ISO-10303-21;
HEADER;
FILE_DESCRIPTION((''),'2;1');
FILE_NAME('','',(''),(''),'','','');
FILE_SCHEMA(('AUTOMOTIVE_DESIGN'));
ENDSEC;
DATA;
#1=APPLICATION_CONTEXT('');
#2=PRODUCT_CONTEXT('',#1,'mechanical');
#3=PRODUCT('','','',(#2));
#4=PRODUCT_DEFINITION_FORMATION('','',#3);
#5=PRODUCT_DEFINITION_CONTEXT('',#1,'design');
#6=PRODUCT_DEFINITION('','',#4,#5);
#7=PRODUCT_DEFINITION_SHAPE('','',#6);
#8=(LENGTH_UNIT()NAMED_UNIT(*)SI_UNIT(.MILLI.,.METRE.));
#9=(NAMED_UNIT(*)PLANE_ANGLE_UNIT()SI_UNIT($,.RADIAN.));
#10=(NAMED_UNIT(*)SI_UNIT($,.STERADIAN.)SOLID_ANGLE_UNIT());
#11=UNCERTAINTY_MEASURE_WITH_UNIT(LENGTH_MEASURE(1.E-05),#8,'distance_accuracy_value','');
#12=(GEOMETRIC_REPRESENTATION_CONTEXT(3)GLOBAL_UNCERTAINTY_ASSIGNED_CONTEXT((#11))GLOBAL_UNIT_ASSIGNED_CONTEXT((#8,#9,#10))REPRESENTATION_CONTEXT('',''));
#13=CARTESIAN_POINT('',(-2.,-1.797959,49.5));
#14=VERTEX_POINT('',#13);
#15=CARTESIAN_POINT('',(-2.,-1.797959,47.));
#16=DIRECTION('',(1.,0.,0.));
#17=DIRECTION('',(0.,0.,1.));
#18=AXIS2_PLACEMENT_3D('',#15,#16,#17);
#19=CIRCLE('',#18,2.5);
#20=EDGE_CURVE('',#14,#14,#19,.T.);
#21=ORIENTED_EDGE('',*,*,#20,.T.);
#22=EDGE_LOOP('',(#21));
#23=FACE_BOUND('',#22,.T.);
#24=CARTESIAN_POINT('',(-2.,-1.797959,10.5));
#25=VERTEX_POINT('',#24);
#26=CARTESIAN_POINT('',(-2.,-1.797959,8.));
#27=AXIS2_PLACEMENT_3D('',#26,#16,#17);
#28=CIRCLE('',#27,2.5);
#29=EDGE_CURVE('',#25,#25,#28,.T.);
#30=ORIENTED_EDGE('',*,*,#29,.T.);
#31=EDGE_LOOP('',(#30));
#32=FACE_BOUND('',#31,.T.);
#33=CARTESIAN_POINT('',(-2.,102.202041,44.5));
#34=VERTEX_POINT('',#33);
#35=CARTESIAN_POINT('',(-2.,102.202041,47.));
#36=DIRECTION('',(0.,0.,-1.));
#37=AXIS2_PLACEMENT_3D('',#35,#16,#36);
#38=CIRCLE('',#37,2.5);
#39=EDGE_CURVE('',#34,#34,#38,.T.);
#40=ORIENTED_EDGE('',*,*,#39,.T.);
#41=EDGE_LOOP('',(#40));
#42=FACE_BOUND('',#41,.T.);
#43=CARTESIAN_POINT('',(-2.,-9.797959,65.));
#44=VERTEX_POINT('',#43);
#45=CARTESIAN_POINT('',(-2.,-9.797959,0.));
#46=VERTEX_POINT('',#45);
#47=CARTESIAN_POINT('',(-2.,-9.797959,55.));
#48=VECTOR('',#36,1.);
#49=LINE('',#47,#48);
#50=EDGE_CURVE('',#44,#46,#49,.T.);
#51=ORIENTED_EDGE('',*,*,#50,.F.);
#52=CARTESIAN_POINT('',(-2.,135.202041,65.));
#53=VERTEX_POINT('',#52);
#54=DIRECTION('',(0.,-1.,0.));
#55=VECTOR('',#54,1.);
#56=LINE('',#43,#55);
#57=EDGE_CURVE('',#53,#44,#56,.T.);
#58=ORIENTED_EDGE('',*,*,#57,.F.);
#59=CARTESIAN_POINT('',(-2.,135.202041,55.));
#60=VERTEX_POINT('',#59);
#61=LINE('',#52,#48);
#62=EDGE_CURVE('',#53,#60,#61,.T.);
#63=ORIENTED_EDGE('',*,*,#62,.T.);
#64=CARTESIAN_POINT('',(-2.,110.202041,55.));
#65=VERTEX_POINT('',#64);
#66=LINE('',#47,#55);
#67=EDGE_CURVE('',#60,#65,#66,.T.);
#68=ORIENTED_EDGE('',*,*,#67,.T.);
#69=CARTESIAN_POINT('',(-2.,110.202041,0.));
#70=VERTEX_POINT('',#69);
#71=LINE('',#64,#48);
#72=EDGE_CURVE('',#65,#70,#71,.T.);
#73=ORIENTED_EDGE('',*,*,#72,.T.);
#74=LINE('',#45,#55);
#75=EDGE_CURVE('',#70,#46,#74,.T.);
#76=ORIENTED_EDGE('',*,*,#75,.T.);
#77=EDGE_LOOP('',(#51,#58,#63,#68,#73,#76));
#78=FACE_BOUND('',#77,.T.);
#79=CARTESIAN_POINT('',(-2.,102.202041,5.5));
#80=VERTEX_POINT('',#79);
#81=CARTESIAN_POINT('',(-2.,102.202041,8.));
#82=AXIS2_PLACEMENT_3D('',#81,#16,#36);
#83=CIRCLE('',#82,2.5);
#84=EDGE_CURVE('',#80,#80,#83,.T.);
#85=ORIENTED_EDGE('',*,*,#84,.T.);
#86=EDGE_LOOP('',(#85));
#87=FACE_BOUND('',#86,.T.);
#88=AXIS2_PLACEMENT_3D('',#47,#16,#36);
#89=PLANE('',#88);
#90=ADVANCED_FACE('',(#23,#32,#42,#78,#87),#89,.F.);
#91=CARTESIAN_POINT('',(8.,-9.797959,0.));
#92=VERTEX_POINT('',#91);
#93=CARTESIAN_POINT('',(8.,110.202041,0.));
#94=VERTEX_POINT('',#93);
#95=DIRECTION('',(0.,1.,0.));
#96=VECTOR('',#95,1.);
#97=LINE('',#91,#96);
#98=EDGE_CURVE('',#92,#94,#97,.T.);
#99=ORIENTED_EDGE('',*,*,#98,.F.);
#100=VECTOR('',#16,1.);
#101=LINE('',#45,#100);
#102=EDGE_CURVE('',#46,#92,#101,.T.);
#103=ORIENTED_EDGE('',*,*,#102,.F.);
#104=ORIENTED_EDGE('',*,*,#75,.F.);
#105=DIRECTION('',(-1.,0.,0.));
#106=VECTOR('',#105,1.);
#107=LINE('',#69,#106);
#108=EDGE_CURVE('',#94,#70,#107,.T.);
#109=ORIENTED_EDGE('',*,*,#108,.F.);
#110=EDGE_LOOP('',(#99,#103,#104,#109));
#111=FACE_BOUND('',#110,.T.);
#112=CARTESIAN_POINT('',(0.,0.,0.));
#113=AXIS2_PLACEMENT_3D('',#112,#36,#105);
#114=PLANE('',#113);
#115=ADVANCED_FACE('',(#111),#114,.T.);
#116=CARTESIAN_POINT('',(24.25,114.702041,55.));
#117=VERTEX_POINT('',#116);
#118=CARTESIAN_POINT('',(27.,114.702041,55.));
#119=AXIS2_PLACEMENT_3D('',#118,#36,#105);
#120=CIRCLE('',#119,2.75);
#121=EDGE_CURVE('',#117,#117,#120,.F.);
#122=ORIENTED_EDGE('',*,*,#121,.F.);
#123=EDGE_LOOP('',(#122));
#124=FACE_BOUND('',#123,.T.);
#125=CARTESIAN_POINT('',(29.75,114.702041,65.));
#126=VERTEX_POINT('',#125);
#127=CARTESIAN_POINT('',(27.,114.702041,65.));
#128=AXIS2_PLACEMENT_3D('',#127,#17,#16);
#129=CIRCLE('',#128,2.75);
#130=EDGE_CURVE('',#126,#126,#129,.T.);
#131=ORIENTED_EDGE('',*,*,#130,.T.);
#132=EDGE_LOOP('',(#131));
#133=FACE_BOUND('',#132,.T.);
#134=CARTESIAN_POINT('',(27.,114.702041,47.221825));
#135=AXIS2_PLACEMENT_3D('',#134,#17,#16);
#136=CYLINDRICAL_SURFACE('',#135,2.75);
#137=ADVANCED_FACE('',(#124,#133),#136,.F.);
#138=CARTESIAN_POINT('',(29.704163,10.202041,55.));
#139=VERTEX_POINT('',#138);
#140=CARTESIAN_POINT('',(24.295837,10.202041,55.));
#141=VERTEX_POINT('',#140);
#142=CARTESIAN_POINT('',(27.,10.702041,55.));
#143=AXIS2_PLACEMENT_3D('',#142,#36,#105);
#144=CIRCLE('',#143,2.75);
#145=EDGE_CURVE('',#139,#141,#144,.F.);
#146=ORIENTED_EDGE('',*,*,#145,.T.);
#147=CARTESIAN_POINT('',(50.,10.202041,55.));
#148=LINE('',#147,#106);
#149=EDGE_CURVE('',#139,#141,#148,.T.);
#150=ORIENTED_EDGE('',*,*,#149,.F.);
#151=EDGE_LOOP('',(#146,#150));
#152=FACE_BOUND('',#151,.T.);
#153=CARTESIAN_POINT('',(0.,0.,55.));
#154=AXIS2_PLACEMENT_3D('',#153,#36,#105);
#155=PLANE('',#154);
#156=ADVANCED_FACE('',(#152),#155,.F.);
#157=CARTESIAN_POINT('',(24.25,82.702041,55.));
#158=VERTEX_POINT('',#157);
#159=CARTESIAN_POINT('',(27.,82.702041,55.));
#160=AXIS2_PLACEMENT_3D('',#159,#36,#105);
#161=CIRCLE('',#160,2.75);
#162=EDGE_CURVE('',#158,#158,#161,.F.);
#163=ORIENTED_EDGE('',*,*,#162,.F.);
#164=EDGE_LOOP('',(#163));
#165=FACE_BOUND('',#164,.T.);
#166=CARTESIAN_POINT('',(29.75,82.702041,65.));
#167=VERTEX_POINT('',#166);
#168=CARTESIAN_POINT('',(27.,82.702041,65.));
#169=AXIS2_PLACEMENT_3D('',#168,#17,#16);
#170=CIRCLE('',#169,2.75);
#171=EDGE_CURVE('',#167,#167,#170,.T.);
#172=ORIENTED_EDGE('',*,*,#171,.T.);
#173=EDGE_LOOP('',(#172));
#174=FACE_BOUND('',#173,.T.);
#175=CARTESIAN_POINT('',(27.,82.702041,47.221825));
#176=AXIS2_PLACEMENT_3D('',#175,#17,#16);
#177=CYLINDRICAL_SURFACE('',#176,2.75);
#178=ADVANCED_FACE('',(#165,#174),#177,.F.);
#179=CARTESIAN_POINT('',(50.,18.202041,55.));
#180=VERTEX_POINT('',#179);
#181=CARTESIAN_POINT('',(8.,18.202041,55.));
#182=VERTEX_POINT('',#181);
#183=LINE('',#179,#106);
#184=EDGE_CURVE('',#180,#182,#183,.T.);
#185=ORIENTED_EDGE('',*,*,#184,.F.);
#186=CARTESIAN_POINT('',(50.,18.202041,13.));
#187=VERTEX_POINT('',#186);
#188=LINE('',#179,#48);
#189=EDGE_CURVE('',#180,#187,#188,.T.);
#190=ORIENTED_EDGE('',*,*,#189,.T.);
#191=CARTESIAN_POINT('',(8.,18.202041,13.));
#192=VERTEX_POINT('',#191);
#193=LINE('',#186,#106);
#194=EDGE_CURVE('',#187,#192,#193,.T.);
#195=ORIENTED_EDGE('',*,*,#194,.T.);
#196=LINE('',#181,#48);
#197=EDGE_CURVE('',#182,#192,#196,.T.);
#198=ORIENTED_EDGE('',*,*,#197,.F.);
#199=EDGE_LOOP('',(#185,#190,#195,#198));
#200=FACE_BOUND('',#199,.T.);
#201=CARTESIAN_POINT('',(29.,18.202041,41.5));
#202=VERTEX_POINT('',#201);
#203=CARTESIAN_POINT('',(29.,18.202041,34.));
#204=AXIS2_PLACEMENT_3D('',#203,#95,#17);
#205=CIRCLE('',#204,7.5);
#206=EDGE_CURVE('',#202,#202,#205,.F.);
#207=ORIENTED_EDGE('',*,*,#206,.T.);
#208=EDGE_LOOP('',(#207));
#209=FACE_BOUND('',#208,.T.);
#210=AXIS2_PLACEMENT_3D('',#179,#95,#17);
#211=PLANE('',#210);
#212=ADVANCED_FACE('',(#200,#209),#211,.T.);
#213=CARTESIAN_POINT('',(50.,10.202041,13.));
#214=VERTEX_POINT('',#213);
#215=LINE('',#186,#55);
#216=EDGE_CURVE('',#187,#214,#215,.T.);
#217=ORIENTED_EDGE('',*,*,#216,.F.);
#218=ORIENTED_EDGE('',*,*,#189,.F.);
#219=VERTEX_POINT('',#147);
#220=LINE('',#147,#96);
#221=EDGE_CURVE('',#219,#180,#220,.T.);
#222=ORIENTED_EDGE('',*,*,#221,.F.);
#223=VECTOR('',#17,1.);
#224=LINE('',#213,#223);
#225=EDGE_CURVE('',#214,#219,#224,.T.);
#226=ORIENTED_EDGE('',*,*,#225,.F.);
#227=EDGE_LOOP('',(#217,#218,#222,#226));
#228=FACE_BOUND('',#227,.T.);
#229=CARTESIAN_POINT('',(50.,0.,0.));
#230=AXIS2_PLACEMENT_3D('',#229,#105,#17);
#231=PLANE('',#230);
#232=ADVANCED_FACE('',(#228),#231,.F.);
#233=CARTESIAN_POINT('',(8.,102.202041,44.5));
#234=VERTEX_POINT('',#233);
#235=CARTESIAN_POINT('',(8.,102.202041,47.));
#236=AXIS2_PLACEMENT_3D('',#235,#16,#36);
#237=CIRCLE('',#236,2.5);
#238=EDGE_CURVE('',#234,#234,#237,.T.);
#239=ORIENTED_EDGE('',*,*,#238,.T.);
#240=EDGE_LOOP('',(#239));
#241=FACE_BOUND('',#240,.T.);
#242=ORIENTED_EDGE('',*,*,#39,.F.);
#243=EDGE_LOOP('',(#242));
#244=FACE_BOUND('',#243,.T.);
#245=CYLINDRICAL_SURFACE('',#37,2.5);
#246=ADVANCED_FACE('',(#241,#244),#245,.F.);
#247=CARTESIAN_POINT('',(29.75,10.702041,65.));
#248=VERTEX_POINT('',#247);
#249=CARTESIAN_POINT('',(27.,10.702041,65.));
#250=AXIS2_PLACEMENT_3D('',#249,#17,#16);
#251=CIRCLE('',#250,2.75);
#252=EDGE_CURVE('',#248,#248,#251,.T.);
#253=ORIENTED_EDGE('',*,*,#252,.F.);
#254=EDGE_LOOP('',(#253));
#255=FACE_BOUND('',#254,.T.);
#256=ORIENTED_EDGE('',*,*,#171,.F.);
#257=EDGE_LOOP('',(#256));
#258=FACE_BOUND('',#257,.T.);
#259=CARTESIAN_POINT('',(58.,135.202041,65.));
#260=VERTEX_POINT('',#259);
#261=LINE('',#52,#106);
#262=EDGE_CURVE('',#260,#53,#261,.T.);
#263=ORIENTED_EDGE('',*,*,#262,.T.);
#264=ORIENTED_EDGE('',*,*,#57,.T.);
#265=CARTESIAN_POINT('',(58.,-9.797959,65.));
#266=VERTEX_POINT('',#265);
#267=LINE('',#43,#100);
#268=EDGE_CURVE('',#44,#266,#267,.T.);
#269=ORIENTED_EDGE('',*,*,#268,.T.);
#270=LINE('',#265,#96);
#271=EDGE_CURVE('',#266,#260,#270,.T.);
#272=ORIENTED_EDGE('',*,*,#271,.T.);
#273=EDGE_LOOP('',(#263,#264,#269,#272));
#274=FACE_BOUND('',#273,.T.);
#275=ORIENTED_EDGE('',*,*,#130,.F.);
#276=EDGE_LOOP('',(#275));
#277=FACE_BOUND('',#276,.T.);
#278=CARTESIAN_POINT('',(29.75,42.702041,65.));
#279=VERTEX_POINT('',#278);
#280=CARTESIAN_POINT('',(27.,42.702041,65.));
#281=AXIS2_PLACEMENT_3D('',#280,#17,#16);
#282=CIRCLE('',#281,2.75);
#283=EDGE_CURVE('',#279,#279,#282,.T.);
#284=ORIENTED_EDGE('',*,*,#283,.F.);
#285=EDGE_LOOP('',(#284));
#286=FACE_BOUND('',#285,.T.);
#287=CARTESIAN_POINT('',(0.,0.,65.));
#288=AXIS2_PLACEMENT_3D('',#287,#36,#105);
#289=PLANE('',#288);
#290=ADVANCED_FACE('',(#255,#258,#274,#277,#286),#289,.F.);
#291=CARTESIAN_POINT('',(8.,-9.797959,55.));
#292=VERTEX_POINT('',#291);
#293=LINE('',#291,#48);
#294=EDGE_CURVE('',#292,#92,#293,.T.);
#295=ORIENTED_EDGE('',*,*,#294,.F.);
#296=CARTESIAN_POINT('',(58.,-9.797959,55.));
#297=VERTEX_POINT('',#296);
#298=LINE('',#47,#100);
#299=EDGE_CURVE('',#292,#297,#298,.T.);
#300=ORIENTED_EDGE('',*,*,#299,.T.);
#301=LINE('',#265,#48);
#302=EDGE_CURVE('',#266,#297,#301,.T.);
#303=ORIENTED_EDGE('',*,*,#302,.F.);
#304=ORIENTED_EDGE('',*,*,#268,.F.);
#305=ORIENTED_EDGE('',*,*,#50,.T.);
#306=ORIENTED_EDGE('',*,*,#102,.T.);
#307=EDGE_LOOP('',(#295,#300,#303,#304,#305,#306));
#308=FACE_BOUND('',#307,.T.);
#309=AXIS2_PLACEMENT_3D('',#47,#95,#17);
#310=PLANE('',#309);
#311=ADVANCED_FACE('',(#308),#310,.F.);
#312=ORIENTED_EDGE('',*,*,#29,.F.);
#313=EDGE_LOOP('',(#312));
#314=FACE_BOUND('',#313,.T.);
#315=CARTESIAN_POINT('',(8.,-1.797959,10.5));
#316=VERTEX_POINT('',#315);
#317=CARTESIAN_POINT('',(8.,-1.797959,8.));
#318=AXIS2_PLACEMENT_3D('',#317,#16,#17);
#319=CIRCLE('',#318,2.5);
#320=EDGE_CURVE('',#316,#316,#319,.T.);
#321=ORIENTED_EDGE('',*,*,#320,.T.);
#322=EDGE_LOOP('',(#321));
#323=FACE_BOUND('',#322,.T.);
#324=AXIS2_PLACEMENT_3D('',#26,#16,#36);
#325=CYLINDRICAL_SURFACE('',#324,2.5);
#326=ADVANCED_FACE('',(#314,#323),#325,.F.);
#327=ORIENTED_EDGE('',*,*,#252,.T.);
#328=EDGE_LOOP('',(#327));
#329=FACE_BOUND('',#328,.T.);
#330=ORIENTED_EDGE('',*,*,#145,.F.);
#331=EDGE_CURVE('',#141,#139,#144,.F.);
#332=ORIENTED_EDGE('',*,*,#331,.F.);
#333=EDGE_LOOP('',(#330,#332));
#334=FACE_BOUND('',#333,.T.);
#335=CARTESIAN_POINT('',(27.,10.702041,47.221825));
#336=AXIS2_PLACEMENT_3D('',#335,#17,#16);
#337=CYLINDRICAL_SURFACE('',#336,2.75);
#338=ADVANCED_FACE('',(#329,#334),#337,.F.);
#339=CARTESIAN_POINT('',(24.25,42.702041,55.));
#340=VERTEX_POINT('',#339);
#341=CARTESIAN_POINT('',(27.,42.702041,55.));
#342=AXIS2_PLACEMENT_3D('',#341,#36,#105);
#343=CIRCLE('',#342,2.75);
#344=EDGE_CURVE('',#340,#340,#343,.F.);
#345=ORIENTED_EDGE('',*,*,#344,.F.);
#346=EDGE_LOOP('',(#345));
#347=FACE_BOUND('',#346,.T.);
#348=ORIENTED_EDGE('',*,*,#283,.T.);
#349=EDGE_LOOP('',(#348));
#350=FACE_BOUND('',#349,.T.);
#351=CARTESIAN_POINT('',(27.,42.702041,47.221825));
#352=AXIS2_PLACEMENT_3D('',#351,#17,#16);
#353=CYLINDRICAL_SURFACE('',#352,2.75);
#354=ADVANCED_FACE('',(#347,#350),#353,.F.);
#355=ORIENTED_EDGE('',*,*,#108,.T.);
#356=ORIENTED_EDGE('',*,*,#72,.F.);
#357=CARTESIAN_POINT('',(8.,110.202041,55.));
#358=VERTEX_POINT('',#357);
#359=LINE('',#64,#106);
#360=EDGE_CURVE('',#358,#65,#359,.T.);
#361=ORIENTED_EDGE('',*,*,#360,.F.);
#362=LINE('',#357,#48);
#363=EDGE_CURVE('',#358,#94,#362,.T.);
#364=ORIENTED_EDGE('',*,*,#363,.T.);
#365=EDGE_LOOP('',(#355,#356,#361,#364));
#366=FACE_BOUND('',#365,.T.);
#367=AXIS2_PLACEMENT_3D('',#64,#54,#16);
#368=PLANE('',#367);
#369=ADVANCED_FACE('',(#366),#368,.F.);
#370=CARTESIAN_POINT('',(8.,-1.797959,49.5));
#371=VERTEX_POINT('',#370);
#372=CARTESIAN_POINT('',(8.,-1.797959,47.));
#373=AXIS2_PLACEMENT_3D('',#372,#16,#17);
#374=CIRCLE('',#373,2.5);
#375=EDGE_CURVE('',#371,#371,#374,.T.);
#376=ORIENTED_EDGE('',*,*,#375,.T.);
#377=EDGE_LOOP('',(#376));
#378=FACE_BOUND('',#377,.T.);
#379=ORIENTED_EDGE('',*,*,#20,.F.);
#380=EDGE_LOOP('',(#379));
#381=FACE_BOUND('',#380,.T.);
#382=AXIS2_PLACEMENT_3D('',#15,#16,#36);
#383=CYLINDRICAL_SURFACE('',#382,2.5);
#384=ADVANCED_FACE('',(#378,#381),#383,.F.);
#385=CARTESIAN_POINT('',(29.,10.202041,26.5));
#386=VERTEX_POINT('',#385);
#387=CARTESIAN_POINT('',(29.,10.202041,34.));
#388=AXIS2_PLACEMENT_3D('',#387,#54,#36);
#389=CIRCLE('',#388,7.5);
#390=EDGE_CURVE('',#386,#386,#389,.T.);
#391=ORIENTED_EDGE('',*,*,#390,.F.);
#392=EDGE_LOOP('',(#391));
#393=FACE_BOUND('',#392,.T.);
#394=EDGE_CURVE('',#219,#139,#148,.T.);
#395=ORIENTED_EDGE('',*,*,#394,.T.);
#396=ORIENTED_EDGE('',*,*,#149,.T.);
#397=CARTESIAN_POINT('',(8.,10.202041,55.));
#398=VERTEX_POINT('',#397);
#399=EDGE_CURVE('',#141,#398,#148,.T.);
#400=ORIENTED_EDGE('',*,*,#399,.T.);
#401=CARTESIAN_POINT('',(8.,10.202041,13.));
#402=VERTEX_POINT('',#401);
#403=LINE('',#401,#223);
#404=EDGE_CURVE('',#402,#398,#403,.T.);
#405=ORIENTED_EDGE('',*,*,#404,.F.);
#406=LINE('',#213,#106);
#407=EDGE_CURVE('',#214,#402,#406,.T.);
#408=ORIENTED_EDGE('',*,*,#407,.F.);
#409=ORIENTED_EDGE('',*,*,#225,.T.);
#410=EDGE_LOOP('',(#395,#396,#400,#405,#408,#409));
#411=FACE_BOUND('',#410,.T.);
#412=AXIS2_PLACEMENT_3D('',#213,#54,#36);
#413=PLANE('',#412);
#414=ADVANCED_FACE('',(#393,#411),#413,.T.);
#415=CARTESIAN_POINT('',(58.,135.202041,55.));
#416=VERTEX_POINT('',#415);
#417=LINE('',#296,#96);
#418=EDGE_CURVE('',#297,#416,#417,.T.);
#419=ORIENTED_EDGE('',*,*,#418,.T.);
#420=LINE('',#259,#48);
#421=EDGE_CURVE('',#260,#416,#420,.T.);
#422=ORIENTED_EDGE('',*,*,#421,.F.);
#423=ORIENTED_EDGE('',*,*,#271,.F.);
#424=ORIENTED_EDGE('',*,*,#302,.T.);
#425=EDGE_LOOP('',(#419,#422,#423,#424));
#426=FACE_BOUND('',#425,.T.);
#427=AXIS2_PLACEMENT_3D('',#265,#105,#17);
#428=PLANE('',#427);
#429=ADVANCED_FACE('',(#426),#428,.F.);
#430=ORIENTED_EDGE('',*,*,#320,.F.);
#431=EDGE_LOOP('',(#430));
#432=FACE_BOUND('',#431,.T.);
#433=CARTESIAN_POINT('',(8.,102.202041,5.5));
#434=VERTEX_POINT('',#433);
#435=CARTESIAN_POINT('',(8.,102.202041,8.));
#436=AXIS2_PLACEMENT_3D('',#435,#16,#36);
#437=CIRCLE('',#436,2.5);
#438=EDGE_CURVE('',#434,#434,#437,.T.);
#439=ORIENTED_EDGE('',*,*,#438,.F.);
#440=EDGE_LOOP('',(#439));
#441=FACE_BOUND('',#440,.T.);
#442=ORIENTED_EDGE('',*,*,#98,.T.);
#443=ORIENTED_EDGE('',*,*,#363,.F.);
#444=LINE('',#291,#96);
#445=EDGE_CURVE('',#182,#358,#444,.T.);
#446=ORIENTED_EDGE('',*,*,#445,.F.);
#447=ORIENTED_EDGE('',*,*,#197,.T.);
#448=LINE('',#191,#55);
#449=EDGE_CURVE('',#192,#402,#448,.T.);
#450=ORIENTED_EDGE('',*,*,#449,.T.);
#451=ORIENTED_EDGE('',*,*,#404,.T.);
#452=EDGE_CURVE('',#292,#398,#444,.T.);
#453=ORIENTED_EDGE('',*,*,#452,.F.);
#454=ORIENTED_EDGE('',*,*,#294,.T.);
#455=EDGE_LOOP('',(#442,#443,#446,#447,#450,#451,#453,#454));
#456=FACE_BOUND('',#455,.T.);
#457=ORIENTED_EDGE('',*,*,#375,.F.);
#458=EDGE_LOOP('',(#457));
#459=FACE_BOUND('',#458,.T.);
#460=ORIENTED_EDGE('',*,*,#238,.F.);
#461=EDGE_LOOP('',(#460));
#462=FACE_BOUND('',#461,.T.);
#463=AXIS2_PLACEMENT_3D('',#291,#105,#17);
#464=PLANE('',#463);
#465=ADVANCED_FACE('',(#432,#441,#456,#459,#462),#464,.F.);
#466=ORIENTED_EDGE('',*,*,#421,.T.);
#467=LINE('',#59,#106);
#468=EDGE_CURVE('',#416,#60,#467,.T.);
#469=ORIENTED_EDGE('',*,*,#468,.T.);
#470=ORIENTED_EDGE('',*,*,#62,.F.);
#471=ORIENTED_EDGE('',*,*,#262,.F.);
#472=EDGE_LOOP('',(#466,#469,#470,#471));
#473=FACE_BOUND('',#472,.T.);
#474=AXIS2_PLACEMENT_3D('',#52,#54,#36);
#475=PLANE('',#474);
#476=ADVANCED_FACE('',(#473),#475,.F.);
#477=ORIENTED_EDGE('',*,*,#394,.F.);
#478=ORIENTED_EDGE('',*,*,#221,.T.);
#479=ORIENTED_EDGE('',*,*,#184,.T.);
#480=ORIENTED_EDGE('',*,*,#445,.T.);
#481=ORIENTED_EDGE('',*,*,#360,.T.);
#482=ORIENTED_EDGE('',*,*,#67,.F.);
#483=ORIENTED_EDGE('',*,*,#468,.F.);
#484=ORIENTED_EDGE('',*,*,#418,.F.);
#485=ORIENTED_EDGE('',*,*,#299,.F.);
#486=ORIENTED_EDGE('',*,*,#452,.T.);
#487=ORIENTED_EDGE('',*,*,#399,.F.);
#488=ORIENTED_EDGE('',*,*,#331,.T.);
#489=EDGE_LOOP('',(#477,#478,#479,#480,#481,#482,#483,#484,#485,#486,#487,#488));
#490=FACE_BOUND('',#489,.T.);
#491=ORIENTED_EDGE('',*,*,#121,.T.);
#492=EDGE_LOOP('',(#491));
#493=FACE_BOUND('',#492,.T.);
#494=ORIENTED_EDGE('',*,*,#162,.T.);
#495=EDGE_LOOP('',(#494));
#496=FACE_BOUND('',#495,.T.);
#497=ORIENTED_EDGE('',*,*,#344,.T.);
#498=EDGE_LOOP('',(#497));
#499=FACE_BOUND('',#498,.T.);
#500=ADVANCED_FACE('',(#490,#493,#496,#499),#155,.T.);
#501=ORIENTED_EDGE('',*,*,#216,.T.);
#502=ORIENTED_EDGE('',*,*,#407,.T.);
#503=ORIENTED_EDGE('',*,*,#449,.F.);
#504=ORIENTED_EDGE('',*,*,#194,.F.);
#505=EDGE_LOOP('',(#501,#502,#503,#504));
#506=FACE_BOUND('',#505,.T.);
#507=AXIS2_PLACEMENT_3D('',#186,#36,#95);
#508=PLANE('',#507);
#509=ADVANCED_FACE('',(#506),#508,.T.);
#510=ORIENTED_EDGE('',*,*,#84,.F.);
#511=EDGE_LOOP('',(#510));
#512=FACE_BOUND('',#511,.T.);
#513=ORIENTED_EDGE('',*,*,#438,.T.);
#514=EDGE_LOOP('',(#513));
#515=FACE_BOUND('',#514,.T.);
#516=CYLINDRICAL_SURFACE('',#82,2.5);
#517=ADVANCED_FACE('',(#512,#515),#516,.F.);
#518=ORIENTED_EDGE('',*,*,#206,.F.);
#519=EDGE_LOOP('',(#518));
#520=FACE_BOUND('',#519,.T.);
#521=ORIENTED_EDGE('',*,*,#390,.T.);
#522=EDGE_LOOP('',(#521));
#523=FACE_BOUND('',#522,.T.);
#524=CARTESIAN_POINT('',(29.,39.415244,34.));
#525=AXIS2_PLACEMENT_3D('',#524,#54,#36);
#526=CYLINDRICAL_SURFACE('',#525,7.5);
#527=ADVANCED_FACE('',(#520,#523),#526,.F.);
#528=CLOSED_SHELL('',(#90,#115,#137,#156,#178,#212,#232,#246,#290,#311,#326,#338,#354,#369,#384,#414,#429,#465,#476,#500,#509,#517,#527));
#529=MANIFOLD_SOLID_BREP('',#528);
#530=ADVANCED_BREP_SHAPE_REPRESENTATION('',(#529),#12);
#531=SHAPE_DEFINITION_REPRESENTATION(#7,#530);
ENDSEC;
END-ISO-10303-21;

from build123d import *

# Parameters (mm, degrees)
SKETCH1_W           = 10
SKETCH1_H           = 120
BOSS_EXTRUDE1_DEPTH = 55
SKETCH2_W           = 42
SKETCH2_H           = 8
BOSS_EXTRUDE2_DEPTH = 42
SKETCH3_R           = 7.5
CUT_EXTRUDE1_DEPTH  = 8
SKETCH5_W           = 60
SKETCH5_H           = 145
BOSS_EXTRUDE4_DEPTH = 10
SKETCH6_R           = 2.75
CUT_EXTRUDE2_DEPTH  = 10
SKETCH7_R           = 2.5
CUT_EXTRUDE3_DEPTH  = 10


with BuildPart() as part:
    # Sketch1 → Boss-Extrude1 (new body)
    with BuildSketch(Plane.XY):
        with Locations((3, 50.202041029)):
            Rectangle(SKETCH1_W, SKETCH1_H)
    extrude(amount=BOSS_EXTRUDE1_DEPTH)

    # Sketch2 → Boss-Extrude2 (add)
    with BuildSketch(Plane(origin=(8, 0, 0), x_dir=(0, 0, -1), z_dir=(1, 0, 0))):
        with Locations((-34, 14.202041029)):
            Rectangle(SKETCH2_W, SKETCH2_H)
    extrude(amount=BOSS_EXTRUDE2_DEPTH)

    # Sketch3 → Cut-Extrude1 (cut)
    with BuildSketch(Plane.XZ.offset(-10.202041029)):
        with Locations((29, 34)):
            Circle(SKETCH3_R)
    extrude(amount=-CUT_EXTRUDE1_DEPTH, mode=Mode.SUBTRACT)

    # Sketch5 → Boss-Extrude4 (add)
    with BuildSketch(Plane.XY.offset(55)):
        with Locations((28, 62.702041029)):
            Rectangle(SKETCH5_W, SKETCH5_H)
    extrude(amount=BOSS_EXTRUDE4_DEPTH)

    # Sketch6 → Cut-Extrude2 (cut)
    with BuildSketch(Plane.XY.offset(65)):
        with Locations((27, 114.702041029)):
            Circle(SKETCH6_R)
        with Locations((27, 82.702041029)):
            Circle(SKETCH6_R)
        with Locations((27, 42.702041029)):
            Circle(SKETCH6_R)
        with Locations((27, 10.702041029)):
            Circle(SKETCH6_R)
    extrude(amount=-CUT_EXTRUDE2_DEPTH, mode=Mode.SUBTRACT)

    # Sketch7 → Cut-Extrude3 (cut)
    with BuildSketch(Plane(origin=(8, 0, 0), x_dir=(0, 0, -1), z_dir=(1, 0, 0))):
        with Locations((-47, 102.202041029)):
            Circle(SKETCH7_R)
        with Locations((-8, 102.202041029)):
            Circle(SKETCH7_R)
        with Locations((-47, -1.797958971)):
            Circle(SKETCH7_R)
        with Locations((-8, -1.797958971)):
            Circle(SKETCH7_R)
    extrude(amount=-CUT_EXTRUDE3_DEPTH, mode=Mode.SUBTRACT)


solid = part.part
